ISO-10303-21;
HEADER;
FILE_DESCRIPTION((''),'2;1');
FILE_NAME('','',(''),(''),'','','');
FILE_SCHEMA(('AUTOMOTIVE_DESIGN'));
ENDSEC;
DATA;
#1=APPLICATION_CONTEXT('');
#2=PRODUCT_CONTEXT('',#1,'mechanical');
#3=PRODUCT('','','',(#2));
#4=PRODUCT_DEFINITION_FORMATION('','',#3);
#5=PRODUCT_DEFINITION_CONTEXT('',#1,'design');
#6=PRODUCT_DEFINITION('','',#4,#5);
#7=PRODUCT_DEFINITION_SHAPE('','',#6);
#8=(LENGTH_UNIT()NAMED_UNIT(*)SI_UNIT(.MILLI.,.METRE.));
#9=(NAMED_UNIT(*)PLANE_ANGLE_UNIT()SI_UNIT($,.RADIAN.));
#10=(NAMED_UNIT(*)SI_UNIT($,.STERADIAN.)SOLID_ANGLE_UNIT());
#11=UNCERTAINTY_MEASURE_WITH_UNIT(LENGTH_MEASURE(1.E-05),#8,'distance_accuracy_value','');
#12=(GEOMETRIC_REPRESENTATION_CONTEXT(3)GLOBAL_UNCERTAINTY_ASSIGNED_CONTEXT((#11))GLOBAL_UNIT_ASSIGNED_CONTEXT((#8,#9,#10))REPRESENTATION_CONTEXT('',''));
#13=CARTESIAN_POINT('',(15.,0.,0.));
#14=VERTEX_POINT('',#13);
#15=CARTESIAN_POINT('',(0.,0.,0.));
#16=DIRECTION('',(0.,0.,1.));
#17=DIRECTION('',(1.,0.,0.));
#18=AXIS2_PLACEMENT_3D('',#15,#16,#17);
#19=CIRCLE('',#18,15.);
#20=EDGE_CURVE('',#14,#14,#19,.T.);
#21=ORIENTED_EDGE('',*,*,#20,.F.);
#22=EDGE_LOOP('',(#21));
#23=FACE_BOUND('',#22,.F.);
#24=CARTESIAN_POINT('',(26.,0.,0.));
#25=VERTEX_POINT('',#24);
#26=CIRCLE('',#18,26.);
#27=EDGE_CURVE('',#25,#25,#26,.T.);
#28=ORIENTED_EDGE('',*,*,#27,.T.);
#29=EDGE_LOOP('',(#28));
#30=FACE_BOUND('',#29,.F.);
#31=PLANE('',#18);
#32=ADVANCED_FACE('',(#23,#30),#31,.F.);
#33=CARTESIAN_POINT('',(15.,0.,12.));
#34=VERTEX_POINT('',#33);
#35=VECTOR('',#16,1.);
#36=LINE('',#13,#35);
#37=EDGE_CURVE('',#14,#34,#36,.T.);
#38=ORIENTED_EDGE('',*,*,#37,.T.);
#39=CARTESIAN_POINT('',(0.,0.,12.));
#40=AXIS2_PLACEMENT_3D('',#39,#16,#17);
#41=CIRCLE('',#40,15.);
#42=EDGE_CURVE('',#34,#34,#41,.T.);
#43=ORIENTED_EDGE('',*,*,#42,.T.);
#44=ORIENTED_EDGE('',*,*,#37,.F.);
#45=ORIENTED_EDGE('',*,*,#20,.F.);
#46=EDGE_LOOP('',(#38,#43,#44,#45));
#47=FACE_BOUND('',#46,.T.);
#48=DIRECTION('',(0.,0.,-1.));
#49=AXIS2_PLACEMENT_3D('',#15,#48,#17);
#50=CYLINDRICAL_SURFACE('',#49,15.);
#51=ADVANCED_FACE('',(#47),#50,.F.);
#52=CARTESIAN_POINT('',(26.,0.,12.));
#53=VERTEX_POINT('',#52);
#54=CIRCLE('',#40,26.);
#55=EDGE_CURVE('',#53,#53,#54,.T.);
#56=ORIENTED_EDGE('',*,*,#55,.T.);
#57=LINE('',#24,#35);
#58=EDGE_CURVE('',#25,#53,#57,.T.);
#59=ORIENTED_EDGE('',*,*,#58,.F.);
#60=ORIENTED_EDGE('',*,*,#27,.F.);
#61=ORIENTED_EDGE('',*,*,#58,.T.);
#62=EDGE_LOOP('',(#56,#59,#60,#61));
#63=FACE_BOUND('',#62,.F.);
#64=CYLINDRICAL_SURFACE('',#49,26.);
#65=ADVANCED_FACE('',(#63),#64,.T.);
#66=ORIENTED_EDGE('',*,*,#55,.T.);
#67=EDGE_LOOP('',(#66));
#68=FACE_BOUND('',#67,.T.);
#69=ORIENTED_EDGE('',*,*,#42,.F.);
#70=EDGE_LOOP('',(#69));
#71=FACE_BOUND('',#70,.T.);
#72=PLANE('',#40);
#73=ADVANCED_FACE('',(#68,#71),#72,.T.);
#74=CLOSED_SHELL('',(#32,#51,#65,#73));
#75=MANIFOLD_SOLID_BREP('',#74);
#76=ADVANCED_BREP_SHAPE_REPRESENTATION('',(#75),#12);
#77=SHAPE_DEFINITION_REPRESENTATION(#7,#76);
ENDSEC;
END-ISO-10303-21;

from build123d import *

# Parameters (mm, degrees)
SKETCH_R      = 26
SKETCH_R_2    = 15
PAD_DEPTH     = 12
SKETCH001_R   = 48
SKETCH001_R_2 = 34
POCKET_DEPTH  = 5


with BuildPart() as part:
    # Sketch → Pad (new body)
    with BuildSketch(Plane.XY):
        Circle(SKETCH_R)
        Circle(SKETCH_R_2, mode=Mode.SUBTRACT)
    extrude(amount=PAD_DEPTH)

    # Sketch001 (on Face4 of Pad) → Pocket (cut)
    with BuildSketch(Plane.XY.offset(12)):
        Circle(SKETCH001_R)
        Circle(SKETCH001_R_2, mode=Mode.SUBTRACT)
    extrude(amount=-POCKET_DEPTH, mode=Mode.SUBTRACT)


solid = part.part
